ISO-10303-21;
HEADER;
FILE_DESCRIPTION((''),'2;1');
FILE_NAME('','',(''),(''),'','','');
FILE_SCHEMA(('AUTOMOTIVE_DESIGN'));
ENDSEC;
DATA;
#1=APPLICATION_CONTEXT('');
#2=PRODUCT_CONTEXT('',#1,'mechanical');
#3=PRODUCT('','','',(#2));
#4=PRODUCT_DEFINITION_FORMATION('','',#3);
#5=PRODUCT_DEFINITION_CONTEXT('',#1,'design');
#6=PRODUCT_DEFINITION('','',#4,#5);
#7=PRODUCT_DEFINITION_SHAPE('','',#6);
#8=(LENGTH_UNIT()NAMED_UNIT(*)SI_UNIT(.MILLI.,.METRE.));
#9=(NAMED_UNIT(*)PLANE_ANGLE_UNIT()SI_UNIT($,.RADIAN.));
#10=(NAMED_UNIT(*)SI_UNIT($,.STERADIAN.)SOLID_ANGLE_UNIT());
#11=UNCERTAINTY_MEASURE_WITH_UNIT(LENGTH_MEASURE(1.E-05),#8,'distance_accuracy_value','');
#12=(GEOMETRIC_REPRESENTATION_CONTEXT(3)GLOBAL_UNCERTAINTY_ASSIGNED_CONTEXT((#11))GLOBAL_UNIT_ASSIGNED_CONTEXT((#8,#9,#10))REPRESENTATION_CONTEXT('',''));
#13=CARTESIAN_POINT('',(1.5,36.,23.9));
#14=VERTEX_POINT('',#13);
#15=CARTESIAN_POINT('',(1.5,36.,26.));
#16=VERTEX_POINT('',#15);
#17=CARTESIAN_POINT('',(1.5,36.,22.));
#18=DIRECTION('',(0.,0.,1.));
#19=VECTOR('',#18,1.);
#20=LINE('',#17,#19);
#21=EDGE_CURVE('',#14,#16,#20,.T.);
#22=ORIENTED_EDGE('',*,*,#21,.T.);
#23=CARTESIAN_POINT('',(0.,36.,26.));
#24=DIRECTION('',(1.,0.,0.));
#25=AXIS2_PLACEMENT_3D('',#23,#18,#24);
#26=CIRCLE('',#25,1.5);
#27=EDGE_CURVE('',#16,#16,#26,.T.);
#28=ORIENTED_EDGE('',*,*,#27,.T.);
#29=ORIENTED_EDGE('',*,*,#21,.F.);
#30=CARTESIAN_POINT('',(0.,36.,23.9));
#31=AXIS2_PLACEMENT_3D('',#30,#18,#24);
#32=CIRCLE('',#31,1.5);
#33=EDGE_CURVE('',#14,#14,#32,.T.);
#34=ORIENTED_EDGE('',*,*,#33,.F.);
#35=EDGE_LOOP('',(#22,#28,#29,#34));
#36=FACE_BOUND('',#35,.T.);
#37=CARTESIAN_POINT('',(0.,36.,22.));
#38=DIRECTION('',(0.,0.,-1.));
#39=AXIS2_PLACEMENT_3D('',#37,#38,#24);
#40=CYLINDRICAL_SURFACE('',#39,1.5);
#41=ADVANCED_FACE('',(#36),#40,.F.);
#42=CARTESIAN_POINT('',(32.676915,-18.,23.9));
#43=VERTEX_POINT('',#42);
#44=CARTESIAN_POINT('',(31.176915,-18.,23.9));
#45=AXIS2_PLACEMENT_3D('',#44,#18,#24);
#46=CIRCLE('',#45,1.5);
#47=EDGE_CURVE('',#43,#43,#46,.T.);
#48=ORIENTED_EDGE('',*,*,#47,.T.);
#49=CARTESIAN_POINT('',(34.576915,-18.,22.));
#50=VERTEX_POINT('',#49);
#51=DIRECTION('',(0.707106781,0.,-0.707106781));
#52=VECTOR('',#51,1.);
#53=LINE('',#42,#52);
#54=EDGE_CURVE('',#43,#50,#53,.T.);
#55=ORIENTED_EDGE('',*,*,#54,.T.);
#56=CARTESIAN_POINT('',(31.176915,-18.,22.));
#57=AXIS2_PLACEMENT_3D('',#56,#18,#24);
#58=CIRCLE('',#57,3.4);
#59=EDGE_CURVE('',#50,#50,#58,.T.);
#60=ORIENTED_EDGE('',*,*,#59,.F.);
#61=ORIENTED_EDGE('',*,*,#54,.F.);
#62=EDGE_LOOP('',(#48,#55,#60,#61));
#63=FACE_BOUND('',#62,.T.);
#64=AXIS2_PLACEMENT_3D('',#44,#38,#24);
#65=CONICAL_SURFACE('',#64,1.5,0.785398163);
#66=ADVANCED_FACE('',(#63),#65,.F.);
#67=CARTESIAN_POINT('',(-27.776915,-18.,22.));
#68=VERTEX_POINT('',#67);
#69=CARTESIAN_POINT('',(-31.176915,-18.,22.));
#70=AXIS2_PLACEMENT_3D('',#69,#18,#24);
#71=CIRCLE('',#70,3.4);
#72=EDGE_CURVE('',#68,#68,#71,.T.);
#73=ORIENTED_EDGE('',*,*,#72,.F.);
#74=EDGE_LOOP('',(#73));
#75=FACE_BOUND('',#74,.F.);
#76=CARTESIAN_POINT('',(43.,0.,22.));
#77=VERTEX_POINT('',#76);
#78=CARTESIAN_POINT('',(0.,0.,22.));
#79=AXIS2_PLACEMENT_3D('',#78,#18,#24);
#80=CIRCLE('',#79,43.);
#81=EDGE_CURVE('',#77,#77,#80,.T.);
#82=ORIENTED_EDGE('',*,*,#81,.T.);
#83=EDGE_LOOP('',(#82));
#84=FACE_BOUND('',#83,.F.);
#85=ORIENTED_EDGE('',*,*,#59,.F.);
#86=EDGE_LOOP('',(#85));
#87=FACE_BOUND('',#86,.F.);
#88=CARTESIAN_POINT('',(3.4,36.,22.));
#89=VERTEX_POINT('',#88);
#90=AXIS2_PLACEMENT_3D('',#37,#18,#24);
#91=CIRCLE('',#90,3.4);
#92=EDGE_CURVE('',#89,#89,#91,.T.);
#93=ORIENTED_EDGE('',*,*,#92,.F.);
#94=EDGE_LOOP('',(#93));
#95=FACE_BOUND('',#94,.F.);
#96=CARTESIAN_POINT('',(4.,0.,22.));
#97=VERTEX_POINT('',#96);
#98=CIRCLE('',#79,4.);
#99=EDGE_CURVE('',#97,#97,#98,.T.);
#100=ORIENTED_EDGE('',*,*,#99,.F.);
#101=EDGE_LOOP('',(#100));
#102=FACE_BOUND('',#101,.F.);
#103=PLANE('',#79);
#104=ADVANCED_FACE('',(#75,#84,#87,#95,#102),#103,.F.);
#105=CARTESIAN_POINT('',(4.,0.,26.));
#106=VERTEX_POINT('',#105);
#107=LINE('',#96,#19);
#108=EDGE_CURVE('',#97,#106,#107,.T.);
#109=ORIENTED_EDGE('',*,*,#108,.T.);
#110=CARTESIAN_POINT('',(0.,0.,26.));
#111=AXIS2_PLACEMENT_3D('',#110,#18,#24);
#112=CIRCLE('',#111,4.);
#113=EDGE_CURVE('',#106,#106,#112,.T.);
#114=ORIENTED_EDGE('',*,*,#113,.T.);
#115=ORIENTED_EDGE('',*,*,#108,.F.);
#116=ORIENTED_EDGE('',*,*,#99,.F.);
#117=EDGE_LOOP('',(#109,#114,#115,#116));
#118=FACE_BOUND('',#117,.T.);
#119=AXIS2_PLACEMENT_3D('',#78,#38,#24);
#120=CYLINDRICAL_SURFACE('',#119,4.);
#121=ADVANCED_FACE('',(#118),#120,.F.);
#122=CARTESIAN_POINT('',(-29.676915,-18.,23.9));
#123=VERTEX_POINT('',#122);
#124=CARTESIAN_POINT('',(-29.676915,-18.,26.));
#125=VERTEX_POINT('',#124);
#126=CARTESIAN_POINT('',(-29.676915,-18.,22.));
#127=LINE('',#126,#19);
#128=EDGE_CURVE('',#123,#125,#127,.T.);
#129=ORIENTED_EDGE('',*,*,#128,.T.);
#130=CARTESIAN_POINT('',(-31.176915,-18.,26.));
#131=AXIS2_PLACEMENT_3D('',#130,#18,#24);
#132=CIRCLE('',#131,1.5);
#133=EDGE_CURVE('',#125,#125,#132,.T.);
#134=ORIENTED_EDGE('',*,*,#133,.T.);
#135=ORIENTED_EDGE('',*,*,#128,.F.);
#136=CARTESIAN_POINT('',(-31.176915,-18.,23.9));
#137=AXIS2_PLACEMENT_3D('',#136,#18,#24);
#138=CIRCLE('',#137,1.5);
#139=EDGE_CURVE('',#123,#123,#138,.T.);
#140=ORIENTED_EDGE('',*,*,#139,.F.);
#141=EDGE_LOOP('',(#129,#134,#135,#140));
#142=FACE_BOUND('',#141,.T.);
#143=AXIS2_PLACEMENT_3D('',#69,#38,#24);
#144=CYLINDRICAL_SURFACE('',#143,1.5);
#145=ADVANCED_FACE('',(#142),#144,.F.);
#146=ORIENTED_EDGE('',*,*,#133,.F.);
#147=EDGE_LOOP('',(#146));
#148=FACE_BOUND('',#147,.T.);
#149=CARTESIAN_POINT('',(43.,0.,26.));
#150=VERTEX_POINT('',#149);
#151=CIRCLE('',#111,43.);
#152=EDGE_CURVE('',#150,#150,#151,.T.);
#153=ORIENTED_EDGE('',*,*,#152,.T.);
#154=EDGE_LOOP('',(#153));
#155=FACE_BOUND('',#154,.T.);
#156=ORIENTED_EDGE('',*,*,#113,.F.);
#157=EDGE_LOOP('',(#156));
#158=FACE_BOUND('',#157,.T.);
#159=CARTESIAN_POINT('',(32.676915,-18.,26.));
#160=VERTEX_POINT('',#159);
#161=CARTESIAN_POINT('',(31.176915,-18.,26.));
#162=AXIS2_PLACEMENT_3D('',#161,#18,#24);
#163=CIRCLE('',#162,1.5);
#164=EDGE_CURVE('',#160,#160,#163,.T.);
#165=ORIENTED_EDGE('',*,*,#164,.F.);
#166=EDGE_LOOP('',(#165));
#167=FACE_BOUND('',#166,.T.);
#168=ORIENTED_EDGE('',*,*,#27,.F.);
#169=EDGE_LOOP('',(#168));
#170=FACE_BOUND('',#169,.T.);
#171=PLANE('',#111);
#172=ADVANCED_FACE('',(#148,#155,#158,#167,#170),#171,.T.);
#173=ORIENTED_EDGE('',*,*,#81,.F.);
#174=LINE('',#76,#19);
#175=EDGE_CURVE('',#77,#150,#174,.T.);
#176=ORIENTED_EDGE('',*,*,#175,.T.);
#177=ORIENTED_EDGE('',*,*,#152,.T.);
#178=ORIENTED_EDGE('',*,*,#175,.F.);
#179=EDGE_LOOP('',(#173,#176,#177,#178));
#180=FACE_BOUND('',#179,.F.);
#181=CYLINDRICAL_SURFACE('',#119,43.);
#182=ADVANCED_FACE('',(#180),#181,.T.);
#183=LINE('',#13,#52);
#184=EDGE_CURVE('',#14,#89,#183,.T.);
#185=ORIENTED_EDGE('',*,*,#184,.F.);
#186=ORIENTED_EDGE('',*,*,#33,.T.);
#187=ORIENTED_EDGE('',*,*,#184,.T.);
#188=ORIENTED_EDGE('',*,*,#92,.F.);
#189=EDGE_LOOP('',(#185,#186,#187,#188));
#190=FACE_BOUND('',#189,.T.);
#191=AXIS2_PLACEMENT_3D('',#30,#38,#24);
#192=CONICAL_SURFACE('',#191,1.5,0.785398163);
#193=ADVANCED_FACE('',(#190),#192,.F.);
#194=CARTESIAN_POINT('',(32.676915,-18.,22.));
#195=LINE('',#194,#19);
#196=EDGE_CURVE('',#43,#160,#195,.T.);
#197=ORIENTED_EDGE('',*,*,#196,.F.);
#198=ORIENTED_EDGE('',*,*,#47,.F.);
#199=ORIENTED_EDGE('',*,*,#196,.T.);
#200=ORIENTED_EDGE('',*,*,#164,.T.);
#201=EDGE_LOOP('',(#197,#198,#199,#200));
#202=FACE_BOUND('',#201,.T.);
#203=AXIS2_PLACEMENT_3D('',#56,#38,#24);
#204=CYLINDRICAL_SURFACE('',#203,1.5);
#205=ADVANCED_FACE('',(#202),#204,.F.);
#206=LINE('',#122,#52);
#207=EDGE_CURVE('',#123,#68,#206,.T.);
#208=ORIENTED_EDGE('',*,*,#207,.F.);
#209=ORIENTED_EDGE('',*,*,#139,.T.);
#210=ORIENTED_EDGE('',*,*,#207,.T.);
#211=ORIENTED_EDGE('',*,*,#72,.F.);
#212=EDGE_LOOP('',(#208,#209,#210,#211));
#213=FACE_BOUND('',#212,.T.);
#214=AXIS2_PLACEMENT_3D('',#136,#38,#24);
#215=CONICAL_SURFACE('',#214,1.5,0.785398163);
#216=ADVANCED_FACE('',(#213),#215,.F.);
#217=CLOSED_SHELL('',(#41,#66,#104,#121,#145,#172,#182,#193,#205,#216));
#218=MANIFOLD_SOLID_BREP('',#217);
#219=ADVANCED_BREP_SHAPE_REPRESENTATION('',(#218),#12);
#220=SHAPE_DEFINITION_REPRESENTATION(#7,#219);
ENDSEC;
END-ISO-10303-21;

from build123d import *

# Parameters (mm, degrees)
SKETCH006_R     = 43
SKETCH006_R_2   = 1.5
SKETCH006_R_3   = 4
PAD_DEPTH       = 4
CHAMFER001_SIZE = 1.9


with BuildPart() as part:
    # Sketch006 → Pad (new body)
    with BuildSketch(Plane.XY.offset(22)):
        Circle(SKETCH006_R)
        with Locations((0, 36)):
            Circle(SKETCH006_R_2, mode=Mode.SUBTRACT)
        with Locations((31.176915, -18)):
            Circle(SKETCH006_R_2, mode=Mode.SUBTRACT)
        with Locations((-31.176915, -18)):
            Circle(SKETCH006_R_2, mode=Mode.SUBTRACT)
        Circle(SKETCH006_R_3, mode=Mode.SUBTRACT)
    extrude(amount=PAD_DEPTH)

    # Chamfer001
    chamfer001_edges = [part.edges().sort_by_distance(p)[0] for p in [
        (-32.676915, -18, 22),
        (29.676915, -18, 22),
        (-1.5, 36, 22),
    ]]
    chamfer(chamfer001_edges, length=CHAMFER001_SIZE)


solid = part.part
